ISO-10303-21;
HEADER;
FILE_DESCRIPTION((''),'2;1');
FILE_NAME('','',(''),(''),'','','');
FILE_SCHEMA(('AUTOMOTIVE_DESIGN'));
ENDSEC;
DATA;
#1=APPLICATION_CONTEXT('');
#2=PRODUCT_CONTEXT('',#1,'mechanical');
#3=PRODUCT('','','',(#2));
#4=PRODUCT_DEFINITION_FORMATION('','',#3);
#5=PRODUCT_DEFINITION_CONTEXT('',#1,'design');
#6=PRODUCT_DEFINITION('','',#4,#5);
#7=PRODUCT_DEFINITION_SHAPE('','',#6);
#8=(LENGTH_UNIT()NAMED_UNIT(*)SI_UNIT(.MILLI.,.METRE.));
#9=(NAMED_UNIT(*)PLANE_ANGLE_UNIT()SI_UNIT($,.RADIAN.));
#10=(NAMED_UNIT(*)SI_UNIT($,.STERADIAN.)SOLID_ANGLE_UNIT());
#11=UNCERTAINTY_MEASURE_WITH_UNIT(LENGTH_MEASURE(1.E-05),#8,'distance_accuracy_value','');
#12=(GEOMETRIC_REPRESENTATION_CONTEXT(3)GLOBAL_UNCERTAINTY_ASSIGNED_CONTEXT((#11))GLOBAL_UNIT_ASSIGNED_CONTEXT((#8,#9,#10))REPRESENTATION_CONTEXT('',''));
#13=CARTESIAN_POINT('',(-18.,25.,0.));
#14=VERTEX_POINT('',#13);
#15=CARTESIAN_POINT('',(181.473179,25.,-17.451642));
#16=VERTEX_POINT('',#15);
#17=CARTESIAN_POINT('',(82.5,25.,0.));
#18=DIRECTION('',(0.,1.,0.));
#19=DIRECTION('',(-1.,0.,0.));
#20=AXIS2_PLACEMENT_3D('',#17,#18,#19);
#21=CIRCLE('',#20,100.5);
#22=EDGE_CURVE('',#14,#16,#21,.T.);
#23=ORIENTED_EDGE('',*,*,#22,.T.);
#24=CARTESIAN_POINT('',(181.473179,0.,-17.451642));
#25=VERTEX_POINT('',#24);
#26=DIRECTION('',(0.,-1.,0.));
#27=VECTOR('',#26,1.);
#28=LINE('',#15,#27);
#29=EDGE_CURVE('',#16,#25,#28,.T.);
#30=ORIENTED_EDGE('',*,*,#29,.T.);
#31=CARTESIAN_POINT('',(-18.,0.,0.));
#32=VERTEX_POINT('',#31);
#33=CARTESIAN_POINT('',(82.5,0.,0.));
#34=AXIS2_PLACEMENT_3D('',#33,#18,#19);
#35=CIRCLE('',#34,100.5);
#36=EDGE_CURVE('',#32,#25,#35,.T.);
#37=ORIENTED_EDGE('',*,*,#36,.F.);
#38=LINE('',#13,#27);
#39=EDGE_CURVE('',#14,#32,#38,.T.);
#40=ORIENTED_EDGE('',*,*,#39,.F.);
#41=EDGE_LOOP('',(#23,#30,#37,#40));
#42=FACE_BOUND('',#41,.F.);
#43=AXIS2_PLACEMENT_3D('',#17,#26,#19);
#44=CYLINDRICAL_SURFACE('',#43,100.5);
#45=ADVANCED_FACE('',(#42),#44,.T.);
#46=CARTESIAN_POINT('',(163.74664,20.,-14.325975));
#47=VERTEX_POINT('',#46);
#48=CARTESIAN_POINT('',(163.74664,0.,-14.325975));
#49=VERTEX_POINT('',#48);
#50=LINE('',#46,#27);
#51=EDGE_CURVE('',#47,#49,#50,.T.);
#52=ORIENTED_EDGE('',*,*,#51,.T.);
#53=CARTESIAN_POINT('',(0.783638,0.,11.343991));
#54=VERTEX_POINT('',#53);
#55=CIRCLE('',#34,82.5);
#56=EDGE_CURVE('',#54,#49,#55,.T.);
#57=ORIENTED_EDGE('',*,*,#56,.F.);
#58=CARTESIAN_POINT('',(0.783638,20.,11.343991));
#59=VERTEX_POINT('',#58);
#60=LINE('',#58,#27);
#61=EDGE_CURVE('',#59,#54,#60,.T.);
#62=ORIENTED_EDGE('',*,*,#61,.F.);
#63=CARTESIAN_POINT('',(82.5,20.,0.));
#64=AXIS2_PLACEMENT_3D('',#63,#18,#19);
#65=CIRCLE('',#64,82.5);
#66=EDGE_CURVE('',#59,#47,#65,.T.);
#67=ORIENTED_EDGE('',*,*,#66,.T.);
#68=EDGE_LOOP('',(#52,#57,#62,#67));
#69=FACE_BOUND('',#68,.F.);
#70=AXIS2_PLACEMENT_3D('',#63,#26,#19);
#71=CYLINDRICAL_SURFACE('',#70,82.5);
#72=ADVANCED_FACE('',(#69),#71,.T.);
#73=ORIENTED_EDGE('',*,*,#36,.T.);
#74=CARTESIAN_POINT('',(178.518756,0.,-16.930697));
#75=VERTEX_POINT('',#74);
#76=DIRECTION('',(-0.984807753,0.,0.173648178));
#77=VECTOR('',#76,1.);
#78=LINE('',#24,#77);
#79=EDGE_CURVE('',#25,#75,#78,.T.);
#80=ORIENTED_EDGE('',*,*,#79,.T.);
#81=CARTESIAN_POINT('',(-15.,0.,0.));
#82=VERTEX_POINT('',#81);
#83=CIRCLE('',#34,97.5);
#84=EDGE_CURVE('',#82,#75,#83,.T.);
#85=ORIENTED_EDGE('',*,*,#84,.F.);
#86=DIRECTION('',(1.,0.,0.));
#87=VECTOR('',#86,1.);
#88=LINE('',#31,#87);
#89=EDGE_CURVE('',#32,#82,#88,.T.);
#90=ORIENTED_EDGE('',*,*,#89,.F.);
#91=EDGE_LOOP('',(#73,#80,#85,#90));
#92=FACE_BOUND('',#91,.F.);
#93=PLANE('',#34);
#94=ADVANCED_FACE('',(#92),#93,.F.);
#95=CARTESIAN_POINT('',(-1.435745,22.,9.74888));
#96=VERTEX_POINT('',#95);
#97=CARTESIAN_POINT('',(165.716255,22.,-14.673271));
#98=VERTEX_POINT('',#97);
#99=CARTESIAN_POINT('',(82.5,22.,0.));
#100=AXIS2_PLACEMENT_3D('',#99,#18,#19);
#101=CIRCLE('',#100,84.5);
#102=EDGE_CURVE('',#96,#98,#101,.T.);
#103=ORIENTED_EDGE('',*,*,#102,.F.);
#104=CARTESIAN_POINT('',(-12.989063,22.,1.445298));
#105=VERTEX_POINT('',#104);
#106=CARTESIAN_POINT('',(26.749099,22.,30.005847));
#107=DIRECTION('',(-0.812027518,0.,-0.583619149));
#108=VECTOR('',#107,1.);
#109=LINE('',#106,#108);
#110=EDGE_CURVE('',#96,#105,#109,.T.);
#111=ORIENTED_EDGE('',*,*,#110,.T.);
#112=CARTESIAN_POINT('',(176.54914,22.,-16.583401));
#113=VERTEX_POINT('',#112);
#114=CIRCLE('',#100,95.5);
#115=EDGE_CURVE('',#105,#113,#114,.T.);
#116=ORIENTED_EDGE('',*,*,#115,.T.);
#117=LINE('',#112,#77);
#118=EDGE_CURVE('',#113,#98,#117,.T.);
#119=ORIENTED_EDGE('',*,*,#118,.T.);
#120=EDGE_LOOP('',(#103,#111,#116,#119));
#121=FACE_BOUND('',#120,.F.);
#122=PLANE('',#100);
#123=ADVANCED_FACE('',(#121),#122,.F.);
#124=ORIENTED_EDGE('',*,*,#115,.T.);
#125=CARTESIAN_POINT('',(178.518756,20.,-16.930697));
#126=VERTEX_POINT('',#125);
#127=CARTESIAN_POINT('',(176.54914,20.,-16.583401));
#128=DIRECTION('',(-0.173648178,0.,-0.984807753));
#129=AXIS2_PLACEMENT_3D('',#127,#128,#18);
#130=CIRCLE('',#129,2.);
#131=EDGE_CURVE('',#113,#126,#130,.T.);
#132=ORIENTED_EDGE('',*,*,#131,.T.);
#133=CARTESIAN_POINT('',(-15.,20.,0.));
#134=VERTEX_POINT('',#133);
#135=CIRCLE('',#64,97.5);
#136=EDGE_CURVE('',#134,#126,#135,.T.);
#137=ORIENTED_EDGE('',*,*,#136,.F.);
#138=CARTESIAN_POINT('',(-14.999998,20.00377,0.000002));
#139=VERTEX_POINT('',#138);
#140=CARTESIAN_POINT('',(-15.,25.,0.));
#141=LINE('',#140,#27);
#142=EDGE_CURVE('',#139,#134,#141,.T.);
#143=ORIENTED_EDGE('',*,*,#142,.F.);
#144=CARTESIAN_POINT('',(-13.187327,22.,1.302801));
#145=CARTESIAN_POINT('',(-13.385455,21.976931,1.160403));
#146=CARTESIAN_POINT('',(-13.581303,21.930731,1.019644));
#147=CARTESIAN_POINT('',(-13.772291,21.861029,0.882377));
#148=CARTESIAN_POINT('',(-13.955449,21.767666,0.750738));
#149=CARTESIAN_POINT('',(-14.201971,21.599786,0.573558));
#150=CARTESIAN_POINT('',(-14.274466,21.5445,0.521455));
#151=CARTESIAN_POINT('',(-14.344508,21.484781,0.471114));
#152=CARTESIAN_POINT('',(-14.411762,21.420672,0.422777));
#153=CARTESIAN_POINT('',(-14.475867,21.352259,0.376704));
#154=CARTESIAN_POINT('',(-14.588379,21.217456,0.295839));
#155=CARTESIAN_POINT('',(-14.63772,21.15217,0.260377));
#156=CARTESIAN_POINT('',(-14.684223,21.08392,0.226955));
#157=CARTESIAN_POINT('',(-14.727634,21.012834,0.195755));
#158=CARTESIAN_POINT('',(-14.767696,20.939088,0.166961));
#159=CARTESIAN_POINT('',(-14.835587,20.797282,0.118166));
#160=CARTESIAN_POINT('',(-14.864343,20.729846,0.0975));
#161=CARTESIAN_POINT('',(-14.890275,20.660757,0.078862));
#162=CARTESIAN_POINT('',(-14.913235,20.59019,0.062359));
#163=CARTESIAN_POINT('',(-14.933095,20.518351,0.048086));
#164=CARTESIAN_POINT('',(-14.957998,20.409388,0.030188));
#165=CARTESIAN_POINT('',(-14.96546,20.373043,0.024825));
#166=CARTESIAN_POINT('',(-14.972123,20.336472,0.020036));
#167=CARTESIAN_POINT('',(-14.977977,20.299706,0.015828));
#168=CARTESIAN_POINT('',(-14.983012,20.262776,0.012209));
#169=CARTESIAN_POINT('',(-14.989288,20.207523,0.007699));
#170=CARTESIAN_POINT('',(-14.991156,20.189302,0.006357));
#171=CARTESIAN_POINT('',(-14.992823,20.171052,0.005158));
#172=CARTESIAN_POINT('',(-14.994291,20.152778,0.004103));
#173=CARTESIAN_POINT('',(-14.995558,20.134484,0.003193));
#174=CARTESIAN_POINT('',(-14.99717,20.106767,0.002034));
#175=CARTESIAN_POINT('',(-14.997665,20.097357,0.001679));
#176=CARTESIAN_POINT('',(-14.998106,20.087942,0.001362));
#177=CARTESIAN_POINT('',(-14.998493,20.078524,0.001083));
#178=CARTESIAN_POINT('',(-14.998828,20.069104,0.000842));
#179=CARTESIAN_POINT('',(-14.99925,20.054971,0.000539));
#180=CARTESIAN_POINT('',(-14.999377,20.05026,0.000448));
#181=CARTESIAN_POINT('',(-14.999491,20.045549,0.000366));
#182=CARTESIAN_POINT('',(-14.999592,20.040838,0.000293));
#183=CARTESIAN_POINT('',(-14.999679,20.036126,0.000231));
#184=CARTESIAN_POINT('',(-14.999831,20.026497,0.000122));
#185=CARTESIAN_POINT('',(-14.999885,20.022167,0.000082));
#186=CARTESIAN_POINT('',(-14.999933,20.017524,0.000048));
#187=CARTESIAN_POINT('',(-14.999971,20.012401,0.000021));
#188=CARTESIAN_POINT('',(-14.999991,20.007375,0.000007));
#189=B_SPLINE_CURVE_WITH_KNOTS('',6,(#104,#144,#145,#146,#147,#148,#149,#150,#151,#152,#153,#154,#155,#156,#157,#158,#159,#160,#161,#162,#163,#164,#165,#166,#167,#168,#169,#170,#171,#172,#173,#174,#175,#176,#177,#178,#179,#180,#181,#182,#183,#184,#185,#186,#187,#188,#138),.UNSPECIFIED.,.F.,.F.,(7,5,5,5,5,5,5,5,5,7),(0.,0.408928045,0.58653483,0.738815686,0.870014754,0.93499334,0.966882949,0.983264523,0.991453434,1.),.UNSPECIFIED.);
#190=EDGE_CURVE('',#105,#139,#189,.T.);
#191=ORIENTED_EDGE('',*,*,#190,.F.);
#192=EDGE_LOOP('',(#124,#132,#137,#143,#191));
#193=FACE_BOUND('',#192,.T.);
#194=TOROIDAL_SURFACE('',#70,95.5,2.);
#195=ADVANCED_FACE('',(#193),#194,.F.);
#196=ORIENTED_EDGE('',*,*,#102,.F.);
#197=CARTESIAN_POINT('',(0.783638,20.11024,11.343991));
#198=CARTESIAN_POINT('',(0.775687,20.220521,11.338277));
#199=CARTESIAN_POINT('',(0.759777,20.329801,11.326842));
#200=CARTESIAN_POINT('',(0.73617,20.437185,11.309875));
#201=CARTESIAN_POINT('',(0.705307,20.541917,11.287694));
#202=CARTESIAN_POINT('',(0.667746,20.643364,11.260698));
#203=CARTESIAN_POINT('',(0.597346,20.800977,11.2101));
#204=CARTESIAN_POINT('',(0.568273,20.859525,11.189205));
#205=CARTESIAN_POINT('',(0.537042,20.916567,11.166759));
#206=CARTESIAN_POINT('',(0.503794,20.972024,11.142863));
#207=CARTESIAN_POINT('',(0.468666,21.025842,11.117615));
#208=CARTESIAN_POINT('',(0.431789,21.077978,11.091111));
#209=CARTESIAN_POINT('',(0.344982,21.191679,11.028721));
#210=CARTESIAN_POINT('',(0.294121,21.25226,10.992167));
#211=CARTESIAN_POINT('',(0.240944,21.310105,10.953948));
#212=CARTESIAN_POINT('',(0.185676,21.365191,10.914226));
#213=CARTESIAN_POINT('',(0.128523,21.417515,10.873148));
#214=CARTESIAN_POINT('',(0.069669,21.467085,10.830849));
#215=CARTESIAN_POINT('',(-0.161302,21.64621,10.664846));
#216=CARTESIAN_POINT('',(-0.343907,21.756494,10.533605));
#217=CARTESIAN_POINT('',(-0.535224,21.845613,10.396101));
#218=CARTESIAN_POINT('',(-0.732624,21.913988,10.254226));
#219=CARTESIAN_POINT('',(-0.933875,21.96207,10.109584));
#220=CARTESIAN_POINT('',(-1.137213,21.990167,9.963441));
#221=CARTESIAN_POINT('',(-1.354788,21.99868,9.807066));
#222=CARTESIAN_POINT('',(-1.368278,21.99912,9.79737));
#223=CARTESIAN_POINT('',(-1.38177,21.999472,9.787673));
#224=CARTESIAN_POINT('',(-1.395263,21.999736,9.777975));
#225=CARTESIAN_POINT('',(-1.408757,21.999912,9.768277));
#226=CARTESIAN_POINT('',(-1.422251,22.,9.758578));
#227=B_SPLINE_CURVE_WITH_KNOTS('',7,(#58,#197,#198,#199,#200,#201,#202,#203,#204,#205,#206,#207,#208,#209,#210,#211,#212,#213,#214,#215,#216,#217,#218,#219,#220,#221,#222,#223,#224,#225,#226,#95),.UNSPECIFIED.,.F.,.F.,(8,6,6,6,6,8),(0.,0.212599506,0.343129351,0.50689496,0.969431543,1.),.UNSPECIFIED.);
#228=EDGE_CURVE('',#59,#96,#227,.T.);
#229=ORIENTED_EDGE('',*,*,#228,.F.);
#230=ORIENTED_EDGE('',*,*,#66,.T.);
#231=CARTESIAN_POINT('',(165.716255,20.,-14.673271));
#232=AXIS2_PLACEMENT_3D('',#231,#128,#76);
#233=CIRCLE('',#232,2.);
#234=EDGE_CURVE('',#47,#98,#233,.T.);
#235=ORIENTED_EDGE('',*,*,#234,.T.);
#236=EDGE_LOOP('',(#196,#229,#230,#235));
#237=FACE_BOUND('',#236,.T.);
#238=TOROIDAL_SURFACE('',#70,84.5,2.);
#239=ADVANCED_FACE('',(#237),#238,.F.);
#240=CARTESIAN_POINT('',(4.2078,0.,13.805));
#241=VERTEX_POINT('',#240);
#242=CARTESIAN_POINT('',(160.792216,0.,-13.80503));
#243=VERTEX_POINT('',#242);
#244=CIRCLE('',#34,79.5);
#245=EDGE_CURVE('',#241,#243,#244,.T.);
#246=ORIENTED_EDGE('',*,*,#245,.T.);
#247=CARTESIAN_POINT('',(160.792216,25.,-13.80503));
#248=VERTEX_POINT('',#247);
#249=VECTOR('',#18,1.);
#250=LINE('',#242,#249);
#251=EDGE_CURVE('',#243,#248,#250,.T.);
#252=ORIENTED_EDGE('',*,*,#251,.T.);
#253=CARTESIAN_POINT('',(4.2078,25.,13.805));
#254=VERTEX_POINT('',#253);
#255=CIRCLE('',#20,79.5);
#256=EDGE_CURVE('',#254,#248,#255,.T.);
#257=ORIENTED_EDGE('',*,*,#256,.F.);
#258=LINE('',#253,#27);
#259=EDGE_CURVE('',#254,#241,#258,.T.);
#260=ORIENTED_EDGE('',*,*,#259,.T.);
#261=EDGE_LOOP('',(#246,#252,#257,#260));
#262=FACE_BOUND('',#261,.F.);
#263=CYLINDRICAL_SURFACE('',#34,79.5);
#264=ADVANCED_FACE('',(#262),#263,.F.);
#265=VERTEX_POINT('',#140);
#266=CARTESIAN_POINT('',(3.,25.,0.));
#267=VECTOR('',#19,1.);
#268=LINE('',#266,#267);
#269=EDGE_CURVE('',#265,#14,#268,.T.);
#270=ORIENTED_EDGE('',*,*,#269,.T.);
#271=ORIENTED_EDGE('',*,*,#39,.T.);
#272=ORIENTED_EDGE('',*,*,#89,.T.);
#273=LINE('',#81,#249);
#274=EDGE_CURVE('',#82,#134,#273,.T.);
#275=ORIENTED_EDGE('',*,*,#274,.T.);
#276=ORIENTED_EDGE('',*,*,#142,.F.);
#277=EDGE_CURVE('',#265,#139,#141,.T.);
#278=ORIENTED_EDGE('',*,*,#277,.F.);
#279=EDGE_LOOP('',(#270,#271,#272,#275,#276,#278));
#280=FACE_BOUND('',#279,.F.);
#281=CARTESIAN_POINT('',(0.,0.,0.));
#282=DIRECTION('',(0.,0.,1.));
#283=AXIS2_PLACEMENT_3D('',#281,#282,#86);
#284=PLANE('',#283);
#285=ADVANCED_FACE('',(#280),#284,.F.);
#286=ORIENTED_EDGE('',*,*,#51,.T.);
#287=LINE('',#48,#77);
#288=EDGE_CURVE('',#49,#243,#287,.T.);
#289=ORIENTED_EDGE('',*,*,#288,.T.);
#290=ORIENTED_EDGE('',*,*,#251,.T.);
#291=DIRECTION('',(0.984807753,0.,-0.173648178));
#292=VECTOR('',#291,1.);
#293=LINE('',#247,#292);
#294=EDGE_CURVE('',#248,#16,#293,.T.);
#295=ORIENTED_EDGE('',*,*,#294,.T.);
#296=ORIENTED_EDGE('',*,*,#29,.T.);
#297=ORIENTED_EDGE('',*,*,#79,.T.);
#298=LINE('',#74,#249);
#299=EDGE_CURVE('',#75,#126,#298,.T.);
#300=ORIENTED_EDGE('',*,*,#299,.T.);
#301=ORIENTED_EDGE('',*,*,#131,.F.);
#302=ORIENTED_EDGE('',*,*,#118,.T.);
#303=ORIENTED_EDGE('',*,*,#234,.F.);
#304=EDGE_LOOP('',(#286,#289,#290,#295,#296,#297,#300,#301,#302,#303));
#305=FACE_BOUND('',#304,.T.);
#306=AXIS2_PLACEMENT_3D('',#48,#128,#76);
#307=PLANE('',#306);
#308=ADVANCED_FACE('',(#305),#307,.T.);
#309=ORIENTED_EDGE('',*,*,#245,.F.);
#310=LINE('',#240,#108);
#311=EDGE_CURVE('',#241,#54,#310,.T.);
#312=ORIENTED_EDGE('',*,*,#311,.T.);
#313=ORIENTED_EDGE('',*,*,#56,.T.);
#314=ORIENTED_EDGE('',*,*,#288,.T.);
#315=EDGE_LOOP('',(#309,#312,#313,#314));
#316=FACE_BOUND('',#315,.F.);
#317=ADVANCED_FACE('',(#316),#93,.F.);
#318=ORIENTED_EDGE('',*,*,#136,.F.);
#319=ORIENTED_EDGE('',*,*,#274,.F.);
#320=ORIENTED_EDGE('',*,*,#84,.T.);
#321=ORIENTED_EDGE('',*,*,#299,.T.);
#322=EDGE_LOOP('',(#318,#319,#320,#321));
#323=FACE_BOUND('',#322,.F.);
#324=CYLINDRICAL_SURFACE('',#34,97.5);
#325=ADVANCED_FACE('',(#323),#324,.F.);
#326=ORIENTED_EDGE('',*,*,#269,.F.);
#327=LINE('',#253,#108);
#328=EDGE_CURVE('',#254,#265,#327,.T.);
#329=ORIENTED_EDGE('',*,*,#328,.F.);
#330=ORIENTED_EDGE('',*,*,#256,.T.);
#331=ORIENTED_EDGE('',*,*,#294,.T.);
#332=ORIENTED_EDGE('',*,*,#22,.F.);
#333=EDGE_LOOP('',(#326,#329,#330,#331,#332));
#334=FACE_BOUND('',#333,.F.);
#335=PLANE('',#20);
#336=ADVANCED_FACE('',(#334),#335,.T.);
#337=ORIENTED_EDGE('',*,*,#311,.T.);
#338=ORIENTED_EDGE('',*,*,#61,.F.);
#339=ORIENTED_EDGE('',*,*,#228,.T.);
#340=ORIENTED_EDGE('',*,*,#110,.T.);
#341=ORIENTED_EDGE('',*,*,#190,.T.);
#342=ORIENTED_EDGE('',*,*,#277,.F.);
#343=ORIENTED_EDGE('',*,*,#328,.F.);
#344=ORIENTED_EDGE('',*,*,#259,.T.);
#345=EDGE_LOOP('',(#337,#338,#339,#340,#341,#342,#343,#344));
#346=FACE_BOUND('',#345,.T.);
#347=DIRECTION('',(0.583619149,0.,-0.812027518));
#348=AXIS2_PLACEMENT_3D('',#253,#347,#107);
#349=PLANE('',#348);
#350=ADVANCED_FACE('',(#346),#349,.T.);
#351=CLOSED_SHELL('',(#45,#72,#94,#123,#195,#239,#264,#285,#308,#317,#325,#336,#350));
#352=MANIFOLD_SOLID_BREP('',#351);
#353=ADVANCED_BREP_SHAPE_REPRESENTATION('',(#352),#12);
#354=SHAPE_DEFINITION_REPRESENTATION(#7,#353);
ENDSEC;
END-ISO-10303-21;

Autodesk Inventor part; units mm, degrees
ref_plane "YZ Plane" through (0, 0, 0) normal (1, 0, 0) x (0, 1, 0)
ref_plane "XZ Plane" through (0, 0, 0) normal (0, 1, 0) x (-1, 0, 0)
ref_plane "XY Plane" through (0, 0, 0) normal (0, 0, 1) x (1, 0, 0)
sketch "Sketch1" plane through (0, 0, 0) normal (0, 0, 1) x (1, 0, 0)
  line L0 (-15, 0) -> (-15, 20)
  line L1 (-13, 22) -> (-2, 22)
  line L2 (0, 20) -> (0, 0)
  line L3 (0, 0) -> (3, 0)
  line L4 (3, 0) -> (3, 25)
  line L5 (3, 25) -> (-18, 25)
  line L6 (-18, 25) -> (-18, 0)
  line L7 (-18, 0) -> (-15, 0)
  line L8 (82.5, 0) -> (82.5, 23.5159) construction
  arc A0 (0, 20) -> (-2, 22) centre (-2, 20) ccw
  arc A1 (-13, 22) -> (-15, 20) centre (-13, 20) ccw
  point P0 (-15, 22)
  point P1 (0, 22)
  point P2 (-7.5, 0)
  dimension "d0" = 22
  dimension "d2" = 15
  dimension "d3" = 3
  dimension "d4" = 25
  dimension "d5" = 21
  dimension "d6" = 7.5
  dimension "d7" = 0
  dimension "d8" = 90
  dimension "d9" = 2
  dimension "d15" = 0
revolve "Revolution1" add sketch "Sketch1" angle 190 about axis through (82.5, 0, 0) along (0, 1, 0)
sketch "Sketch2" plane through (-18, 25, 0) normal (0, 1, 0) x (1, 0, 0)
  arc A0 (21, 0) -> (178.7922, 13.805) centre (100.5, 0) ccw projected
  arc A1 (3, 0) -> (196.5188, 16.9307) centre (100.5, 0) ccw projected
  line L0 (100.5, 0) -> (3, 0)
  line L1 (5, 0) -> (16, 0) projected
  line L2 (100.5, 0) -> (22.2078, -13.805)
  line L3 (22.2078, -13.805) -> (3, 0)
  point P0 (18, 0)
  point P1 (21, 0)
  dimension "d12" = 10
extrude "Extrusion1" cut sketch "Sketch2" against normal up to surface (25 mm away) contours A0 L3 L0
equation "\"d6\" = 0.5 * d2"
properties part number "InertiaKitOuter"
